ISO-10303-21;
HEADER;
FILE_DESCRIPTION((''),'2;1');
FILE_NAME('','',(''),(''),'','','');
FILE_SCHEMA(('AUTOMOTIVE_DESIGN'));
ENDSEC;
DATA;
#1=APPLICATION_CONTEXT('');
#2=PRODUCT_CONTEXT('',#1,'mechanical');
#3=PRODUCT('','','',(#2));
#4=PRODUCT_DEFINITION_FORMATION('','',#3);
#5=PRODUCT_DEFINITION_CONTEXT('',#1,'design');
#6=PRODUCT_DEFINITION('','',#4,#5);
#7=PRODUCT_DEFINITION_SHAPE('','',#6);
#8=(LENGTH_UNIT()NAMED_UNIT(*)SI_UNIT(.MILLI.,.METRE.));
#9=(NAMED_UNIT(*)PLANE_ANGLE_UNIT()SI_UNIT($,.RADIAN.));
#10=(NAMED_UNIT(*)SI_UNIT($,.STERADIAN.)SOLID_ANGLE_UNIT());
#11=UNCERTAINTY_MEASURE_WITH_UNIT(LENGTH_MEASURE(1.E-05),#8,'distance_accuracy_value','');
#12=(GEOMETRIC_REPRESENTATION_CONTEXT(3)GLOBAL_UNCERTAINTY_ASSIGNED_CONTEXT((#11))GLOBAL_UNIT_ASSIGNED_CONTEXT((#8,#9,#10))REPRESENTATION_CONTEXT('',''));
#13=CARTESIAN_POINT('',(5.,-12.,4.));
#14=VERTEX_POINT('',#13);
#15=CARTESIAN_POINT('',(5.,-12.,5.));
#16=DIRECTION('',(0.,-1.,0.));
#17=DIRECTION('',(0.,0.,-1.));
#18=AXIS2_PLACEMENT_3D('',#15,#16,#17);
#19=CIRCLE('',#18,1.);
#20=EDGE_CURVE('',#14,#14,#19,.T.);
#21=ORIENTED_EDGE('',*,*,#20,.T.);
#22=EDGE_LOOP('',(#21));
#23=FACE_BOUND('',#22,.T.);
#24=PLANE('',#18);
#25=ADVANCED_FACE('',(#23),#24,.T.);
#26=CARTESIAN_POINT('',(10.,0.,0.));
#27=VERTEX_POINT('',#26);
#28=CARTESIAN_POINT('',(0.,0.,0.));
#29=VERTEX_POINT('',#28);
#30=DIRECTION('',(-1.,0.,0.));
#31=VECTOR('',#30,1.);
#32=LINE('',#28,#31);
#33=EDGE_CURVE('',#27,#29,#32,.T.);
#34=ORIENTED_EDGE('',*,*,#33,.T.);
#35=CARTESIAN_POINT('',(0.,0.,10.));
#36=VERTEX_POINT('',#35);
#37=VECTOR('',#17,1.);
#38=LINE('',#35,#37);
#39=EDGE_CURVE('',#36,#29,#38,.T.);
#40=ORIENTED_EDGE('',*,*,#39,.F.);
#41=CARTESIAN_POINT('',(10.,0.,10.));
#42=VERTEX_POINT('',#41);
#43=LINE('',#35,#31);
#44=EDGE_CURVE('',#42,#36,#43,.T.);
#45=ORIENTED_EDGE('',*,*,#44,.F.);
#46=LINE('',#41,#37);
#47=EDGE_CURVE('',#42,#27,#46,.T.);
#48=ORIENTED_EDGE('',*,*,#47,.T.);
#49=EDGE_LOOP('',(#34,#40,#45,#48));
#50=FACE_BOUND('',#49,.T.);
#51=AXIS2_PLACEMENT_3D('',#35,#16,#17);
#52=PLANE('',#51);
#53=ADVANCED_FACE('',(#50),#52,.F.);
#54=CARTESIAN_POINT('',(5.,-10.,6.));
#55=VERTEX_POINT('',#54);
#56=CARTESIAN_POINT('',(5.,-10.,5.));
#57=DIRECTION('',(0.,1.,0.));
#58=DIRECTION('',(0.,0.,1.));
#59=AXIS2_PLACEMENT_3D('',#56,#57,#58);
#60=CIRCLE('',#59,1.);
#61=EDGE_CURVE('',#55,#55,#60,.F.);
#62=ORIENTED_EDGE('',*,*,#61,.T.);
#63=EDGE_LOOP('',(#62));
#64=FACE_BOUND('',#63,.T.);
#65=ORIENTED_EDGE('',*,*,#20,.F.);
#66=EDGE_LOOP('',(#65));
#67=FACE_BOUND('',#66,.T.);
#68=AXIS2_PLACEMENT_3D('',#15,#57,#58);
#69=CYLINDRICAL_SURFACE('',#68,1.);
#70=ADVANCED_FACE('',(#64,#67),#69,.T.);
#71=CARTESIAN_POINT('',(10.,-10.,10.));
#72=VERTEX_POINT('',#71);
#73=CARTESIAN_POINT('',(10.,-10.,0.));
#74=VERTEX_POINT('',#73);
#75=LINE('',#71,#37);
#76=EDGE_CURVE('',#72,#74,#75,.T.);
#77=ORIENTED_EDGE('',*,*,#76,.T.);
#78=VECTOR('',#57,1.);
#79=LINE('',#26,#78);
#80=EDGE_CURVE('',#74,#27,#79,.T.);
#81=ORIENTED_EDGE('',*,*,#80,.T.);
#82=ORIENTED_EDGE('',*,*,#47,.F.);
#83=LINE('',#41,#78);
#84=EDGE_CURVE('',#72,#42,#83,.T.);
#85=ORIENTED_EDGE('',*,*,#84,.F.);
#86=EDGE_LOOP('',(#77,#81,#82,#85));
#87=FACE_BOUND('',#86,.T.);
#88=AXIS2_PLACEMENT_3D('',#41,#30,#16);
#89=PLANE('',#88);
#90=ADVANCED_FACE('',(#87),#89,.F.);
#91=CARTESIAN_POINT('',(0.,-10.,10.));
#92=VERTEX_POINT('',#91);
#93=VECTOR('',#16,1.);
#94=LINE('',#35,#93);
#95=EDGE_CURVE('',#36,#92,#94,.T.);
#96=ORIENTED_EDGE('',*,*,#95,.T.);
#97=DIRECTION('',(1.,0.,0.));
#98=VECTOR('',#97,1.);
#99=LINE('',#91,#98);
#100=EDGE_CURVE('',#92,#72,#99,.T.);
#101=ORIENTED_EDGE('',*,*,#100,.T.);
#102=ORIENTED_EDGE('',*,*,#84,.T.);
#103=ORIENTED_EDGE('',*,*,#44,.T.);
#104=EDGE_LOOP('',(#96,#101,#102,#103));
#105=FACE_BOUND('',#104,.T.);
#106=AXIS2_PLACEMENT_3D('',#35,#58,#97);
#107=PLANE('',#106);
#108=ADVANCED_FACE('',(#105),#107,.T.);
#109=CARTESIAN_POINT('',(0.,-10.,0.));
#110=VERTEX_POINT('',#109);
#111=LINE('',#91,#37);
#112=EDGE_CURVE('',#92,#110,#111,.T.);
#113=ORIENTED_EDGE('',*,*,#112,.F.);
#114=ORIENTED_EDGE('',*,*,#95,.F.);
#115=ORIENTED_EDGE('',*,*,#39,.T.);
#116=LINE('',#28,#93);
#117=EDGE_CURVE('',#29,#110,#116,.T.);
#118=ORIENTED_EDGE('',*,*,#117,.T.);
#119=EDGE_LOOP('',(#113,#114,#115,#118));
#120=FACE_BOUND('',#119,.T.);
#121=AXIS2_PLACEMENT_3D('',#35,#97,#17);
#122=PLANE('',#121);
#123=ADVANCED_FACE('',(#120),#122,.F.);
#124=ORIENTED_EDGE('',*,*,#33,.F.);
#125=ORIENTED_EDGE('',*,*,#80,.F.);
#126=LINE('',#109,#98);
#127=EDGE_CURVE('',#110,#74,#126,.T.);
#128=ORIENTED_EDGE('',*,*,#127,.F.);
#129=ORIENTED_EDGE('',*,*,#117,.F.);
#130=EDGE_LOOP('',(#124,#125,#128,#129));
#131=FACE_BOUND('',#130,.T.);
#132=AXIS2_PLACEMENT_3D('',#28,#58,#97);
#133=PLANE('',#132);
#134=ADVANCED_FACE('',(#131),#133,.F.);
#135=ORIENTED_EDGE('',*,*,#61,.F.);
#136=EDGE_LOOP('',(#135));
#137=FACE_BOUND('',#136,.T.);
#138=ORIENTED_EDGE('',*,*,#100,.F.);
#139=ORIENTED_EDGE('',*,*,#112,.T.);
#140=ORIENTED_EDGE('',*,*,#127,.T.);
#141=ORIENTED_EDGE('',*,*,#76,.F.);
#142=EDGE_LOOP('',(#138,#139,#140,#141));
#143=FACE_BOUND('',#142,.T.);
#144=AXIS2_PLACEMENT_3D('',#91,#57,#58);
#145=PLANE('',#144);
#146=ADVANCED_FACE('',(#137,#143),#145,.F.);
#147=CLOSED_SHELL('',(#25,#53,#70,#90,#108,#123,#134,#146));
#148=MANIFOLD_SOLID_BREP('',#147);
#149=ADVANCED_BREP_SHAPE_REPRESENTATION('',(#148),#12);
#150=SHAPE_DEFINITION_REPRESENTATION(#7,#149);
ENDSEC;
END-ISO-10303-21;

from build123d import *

# Parameters (mm, degrees)
SKETCH1_W           = 10
SKETCH1_H           = 10
BOSS_EXTRUDE1_DEPTH = 10
SKETCH2_R           = 1
BOSS_EXTRUDE2_DEPTH = 2


with BuildPart() as part:
    # Sketch1 → Boss-Extrude1 (new body)
    with BuildSketch(Plane.XY):
        with Locations((5, -5)):
            Rectangle(SKETCH1_W, SKETCH1_H)
    extrude(amount=BOSS_EXTRUDE1_DEPTH)

    # Sketch2 → Boss-Extrude2 (add)
    with BuildSketch(Plane.XZ.offset(10)):
        with Locations(Location((5, 5, 0), (0, 0, 90))):
            Circle(SKETCH2_R)
    extrude(amount=BOSS_EXTRUDE2_DEPTH)


solid = part.part
